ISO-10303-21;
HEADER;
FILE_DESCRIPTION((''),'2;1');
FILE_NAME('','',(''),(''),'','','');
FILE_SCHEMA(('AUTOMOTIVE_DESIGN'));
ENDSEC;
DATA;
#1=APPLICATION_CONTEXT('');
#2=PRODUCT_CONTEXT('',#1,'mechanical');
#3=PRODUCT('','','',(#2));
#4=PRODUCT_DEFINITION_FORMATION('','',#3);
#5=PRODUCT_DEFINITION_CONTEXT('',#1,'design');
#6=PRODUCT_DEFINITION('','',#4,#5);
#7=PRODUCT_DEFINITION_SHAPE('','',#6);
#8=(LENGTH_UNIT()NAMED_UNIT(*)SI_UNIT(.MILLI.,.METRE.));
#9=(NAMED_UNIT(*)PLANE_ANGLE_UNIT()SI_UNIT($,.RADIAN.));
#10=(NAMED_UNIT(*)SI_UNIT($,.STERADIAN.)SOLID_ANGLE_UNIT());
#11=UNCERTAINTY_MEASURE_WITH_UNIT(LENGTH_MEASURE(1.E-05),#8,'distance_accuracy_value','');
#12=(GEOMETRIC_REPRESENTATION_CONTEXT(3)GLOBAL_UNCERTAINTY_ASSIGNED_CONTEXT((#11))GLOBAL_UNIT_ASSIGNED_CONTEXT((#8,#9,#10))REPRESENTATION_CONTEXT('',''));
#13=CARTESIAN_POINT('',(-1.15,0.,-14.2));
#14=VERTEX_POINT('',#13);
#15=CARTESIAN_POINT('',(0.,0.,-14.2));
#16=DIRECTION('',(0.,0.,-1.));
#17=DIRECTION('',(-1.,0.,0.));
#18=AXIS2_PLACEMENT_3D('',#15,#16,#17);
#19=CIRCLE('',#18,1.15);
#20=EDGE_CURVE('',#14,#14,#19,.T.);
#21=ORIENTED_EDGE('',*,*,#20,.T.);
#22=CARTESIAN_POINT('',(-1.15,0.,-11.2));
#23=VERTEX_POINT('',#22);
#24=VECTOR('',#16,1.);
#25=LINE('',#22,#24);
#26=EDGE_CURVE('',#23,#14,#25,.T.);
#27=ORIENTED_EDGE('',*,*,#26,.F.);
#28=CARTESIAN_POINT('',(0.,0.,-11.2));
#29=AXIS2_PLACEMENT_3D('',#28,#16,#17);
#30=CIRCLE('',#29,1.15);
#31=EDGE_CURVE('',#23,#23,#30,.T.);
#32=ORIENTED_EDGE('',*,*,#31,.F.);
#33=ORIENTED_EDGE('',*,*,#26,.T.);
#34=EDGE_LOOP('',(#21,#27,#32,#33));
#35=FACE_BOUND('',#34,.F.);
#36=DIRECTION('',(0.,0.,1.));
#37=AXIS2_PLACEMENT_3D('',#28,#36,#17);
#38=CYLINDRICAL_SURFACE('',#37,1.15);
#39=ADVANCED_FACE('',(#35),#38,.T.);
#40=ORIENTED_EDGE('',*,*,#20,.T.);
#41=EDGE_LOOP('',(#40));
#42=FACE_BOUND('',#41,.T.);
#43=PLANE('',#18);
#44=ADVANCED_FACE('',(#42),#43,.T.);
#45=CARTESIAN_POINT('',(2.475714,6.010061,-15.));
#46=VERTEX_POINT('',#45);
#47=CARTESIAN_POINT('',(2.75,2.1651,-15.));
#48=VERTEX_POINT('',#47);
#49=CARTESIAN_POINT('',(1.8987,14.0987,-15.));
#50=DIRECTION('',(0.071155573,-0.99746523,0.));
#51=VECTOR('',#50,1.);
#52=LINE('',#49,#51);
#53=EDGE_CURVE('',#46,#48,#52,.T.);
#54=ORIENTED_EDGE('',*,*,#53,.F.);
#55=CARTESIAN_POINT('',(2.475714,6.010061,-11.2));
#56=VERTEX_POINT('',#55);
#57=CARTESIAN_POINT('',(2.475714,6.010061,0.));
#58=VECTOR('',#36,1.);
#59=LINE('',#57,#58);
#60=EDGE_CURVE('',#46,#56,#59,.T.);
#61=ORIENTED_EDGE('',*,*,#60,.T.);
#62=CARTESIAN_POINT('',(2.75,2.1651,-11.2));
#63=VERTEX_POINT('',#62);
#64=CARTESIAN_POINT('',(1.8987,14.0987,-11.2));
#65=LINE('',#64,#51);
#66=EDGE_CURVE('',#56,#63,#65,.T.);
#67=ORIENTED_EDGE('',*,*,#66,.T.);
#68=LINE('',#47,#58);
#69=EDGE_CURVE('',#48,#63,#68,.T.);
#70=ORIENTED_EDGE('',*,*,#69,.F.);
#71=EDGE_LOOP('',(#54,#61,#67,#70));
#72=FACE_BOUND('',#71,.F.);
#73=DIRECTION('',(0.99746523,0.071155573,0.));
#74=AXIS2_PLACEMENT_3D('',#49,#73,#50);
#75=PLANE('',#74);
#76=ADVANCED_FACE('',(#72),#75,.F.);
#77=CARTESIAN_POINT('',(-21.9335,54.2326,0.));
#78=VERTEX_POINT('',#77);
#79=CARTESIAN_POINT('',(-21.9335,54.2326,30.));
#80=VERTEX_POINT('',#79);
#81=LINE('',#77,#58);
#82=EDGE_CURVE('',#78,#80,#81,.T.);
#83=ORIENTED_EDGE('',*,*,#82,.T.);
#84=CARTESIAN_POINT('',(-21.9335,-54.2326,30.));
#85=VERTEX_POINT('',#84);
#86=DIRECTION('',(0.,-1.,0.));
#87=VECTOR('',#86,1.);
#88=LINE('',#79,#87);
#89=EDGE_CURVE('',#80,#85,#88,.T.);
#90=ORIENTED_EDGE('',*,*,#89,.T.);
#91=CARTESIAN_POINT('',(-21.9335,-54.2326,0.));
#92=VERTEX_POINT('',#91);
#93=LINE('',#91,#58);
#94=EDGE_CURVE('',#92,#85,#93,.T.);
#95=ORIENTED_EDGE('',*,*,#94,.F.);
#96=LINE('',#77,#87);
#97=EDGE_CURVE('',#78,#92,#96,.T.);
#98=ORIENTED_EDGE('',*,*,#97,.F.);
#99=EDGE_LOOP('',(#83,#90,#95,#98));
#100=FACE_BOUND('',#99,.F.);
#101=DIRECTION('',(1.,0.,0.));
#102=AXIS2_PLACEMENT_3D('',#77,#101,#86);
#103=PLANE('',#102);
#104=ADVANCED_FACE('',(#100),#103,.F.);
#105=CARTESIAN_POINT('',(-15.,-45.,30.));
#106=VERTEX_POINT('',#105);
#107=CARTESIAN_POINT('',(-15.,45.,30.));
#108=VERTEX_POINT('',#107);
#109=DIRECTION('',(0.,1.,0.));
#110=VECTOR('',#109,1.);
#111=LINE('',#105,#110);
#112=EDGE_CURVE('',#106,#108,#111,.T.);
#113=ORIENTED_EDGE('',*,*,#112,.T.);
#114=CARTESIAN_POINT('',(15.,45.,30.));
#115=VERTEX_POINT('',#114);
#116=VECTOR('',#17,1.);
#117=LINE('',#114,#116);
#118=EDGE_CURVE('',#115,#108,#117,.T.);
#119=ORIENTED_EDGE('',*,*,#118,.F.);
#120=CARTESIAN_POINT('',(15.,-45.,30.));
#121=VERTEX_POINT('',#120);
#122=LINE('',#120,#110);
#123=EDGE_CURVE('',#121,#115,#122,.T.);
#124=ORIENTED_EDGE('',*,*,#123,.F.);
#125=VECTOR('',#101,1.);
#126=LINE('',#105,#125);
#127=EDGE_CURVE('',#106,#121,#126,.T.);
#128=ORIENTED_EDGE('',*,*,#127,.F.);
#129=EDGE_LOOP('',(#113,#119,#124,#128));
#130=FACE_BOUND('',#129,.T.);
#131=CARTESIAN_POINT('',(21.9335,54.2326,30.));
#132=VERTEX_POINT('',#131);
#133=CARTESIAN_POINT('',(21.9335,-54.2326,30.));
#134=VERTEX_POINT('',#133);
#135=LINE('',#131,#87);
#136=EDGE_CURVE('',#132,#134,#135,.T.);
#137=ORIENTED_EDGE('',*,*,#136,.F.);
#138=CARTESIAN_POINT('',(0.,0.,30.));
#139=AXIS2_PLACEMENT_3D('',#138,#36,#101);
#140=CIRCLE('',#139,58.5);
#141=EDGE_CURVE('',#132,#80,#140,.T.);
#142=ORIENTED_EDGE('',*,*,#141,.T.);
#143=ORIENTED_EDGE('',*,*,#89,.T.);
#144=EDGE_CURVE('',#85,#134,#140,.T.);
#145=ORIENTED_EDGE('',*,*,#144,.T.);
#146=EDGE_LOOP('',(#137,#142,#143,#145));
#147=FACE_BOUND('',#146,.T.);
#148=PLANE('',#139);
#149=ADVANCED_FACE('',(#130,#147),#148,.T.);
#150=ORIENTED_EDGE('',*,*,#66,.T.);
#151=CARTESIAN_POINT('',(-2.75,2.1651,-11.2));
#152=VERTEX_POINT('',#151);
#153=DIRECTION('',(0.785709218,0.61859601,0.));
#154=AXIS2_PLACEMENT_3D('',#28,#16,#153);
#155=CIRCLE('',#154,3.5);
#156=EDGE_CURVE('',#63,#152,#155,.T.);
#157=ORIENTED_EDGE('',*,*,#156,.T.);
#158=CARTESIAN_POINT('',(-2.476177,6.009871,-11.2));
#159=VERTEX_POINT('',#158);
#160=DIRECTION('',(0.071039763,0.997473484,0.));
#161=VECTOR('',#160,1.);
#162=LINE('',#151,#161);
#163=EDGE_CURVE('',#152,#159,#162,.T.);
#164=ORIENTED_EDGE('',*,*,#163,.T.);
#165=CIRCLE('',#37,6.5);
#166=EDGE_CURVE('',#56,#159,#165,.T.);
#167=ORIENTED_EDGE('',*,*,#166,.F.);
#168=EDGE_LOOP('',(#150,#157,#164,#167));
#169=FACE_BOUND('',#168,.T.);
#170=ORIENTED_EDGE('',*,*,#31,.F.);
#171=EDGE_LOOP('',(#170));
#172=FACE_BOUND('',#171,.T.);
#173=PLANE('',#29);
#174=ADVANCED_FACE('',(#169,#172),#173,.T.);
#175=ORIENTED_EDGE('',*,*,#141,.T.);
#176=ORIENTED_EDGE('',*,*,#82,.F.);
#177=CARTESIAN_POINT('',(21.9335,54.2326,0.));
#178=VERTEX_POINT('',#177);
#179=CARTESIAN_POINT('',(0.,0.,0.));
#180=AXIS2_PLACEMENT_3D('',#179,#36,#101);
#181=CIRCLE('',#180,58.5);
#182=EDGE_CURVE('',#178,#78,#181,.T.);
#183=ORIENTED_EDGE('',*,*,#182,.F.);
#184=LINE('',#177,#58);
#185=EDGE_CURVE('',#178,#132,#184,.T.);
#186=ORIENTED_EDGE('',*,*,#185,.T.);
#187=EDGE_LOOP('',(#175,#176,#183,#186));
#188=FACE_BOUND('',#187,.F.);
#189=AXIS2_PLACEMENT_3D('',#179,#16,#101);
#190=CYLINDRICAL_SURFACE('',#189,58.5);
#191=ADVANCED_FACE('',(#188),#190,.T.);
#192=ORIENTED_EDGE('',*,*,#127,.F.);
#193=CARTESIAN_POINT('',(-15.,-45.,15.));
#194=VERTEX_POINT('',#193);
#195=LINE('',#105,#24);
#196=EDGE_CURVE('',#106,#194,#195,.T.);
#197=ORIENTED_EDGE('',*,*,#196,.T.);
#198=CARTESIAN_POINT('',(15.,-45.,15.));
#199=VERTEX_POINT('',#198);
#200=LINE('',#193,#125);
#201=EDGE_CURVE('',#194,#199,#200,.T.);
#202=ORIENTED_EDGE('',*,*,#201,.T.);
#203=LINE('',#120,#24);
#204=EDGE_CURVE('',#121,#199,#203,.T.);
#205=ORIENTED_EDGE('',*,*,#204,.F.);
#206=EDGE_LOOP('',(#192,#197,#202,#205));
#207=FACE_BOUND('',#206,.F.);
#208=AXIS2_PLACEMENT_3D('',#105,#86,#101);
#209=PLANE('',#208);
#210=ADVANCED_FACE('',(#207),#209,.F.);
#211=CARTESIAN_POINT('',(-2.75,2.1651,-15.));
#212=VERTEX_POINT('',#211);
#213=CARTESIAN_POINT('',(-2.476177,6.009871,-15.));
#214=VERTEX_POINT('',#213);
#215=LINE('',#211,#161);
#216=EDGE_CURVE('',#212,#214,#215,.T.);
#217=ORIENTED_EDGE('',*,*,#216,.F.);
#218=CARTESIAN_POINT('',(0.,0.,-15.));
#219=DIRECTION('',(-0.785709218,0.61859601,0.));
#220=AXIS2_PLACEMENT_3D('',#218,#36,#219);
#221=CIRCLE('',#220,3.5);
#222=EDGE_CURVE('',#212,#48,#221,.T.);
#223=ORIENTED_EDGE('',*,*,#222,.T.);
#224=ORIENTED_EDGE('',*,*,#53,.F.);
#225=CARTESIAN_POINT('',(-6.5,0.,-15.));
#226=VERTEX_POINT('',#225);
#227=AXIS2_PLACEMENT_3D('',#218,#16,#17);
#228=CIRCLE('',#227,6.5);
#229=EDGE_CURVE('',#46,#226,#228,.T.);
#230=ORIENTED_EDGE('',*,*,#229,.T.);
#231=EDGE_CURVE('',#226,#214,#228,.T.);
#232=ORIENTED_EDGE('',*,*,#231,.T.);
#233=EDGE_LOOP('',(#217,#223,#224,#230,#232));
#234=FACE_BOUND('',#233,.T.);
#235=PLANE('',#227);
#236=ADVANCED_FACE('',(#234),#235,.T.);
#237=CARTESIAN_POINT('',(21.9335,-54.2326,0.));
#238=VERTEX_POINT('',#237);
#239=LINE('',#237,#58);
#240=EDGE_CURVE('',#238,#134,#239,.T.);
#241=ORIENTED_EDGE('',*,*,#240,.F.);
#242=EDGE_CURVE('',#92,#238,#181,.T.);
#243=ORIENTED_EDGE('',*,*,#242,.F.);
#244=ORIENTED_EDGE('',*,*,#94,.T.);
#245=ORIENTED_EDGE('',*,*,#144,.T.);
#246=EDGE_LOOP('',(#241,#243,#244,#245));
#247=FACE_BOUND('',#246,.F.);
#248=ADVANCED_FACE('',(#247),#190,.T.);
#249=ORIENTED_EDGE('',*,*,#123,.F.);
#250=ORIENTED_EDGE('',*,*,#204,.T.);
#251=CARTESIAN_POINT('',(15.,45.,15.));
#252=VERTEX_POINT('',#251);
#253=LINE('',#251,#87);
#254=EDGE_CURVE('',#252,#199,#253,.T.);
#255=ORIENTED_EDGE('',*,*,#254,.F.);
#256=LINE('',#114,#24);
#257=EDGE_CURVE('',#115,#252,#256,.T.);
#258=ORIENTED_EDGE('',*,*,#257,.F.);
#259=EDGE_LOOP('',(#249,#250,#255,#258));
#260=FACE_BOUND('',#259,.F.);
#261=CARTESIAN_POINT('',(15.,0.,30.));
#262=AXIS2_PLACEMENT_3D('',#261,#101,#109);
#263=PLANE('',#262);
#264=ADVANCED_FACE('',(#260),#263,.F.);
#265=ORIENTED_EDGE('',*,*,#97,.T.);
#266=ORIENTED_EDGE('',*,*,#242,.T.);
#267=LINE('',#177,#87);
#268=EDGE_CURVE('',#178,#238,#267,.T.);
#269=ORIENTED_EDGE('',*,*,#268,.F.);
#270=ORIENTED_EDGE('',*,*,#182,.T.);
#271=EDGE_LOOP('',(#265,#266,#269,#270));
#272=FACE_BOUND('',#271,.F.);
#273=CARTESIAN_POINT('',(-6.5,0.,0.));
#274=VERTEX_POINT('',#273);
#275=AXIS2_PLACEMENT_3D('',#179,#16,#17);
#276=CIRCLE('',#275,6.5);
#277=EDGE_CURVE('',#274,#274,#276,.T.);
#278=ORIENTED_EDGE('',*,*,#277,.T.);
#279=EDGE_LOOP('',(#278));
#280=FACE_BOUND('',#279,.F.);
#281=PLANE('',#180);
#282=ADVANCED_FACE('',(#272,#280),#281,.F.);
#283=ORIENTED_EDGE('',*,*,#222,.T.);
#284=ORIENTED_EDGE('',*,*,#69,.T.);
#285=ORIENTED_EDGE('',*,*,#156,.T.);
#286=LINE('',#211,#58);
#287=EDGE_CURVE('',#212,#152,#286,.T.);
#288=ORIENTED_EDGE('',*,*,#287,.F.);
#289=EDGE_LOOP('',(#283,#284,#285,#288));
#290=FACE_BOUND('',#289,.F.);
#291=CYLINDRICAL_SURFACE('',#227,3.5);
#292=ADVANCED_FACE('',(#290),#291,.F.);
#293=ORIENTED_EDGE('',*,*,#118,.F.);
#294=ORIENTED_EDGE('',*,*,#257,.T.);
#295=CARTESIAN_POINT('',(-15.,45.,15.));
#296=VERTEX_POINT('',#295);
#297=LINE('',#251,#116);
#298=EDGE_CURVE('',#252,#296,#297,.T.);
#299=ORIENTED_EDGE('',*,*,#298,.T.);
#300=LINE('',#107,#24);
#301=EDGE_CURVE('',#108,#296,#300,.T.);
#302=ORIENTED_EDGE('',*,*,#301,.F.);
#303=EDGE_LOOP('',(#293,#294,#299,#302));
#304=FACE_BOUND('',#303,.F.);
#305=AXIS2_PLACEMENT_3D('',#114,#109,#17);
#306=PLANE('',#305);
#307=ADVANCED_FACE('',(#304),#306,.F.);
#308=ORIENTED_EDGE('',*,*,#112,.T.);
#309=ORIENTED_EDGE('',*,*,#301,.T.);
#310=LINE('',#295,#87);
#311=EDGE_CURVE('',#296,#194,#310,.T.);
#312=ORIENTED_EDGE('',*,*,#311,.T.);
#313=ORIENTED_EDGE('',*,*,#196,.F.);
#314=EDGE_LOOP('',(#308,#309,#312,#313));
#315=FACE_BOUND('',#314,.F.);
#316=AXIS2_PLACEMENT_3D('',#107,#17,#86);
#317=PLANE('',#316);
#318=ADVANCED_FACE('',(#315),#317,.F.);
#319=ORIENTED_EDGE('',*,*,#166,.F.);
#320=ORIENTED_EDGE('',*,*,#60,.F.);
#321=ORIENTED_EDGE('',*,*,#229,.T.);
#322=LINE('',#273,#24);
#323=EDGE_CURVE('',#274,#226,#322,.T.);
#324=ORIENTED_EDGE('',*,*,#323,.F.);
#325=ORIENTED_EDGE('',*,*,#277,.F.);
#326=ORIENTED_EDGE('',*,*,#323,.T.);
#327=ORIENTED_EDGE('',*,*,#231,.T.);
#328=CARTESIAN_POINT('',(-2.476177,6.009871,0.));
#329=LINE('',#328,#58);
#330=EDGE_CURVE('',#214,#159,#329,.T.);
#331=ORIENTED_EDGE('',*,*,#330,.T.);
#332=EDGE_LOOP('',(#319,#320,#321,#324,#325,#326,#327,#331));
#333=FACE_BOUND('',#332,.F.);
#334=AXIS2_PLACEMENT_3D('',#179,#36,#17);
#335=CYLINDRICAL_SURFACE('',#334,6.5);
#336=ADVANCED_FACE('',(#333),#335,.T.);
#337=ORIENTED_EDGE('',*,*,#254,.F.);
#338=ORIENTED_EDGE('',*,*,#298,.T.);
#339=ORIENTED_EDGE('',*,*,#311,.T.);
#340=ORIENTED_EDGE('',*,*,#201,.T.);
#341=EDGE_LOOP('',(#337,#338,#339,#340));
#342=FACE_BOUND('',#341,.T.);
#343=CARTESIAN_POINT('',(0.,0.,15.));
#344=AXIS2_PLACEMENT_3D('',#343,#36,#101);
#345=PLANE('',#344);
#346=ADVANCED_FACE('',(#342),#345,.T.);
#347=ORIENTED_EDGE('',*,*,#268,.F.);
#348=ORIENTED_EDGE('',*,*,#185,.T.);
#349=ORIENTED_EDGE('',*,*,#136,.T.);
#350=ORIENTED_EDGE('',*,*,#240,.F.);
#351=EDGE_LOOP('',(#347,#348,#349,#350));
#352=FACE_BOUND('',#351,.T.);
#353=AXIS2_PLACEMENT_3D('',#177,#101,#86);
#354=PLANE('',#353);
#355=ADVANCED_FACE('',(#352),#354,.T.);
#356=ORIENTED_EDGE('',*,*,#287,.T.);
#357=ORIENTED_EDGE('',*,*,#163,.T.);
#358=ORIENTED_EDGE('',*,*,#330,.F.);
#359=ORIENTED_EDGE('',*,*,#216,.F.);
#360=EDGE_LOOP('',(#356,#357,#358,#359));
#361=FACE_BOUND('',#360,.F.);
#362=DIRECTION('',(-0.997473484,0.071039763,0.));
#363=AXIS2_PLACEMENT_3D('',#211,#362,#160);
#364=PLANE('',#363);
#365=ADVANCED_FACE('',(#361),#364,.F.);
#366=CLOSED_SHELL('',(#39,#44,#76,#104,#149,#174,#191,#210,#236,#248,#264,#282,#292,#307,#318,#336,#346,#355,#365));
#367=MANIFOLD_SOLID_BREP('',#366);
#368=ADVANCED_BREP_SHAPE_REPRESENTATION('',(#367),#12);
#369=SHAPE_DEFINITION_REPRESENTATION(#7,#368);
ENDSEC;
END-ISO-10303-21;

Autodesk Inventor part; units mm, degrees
ref_plane "YZ Plane" through (0, 0, 0) normal (1, 0, 0) x (0, 1, 0)
ref_plane "XZ Plane" through (0, 0, 0) normal (0, 1, 0) x (-1, 0, 0)
ref_plane "XY Plane" through (0, 0, 0) normal (0, 0, 1) x (1, 0, 0)
sketch "Sketch1" plane through (0, 0, 0) normal (0, 0, 1) x (1, 0, 0)
  circle A0 centre (0, 0) radius 58.5
  line L0 (0, 0) -> (0, 58.5) construction
  line L1 (0, 0) -> (-58.5, 0) construction
  line L2 (-21.9335, 54.2326) -> (-21.9335, -54.2326)
  line L3 (21.9335, 54.2326) -> (21.9335, -54.2326)
  point P0 (-54.2326, 21.9335)
  point P1 (54.2326, 21.9335)
  dimension "d0" = 117
  dimension "d53" = 21.9335
extrude "Extrusion1" add sketch "Sketch1" along normal blind 30 contours L3 A0 L2
sketch "Sketch2" plane through (0, 0, 0) normal (0, 0, -1) x (-1, 0, 0)
  circle A0 centre (0, 0) radius 6.5
  dimension "d4" = 13
extrude "Extrusion2" add sketch "Sketch2" along normal blind 15
sketch "Sketch6" plane through (0, 0, -15) normal (0, 0, -1) x (-1, 0, 0)
  circle A0 centre (0, 0) radius 1.15
  circle A1 centre (0, 0) radius 1.15
  line L0 (18.75, 0) -> (16.35, 0) construction
  line L1 (16.35, 0) -> (0, 0) construction
  line L2 (0, 0) -> (0, 3.75) construction
  circle A2 centre (0, 0) radius 3.9
  circle A3 centre (16.35, 0) radius 2.55
  line L3 (16.35, 2.55) -> (0.3241, 3.8865)
  line L4 (16.35, -2.55) -> (0.3241, -3.8865)
  point P0 (0, 3.75)
  dimension "d21" = 2.4
  dimension "d24" = 2.3
  dimension "d27" = 7.8
  dimension "d28" = 5.1
  dimension "d29" = 16.0259
  dimension "d30" = 16.0259
extrude "Extrusion5" [suppressed]
sketch "Sketch7" plane through (0, 0, -12.2) normal (0, 0, -1) x (-1, 0, 0)
  circle A0 centre (0, 0) radius 1.15
  dimension "d33" = 2.3
extrude "Extrusion6" [suppressed]
sketch "Sketch8" plane through (0, 0, 30) normal (0, 0, 1) x (1, 0, 0)
  line L0 (0, 0) -> (21.9335, 0) construction
  line L1 (0, 0) -> (15, 0)
  line L2 (15, 0) -> (15, 45)
  line L3 (15, 45) -> (-15, 45)
  line L4 (-15, 45) -> (-15, 0)
  line L5 (-15, 0) -> (0, 0)
  line L6 (-15, 0) -> (-15, -45)
  line L7 (-15, -45) -> (15, -45)
  line L8 (15, -45) -> (15, 0)
  dimension "d43" = 15
  dimension "d44" = 45
  dimension "d45" = 30
  dimension "d46" = 45
  dimension "d47" = 30
extrude "Extrusion7" cut sketch "Sketch8" against normal blind 15
sketch "Sketch9" plane through (0, 0, -15) normal (0, 0, -1) x (-1, 0, 0)
  circle A0 centre (0, 0) radius 3.5
  arc A1 (1.9, 14.1) -> (-1.8987, 14.0987) centre (0.0007, 14.05) ccw
  line L0 (0.0007, 15.95) -> (0.0007, 14.05)
  line L1 (0.0007, 14.05) -> (0, 0)
  circle A2 centre (0.0007, 14.05) radius 1.9
  line L2 (-1.8987, 14.0987) -> (-2.75, 2.1651)
  line L3 (-2.75, 2.1651) -> (-1.8987, 14.0987)
  line L4 (2.75, 2.1651) -> (1.9, 14.1)
  line L5 (2.75, 2.1651) -> (1.9, 14.1)
extrude "Extrusion8" cut sketch "Sketch9" against normal blind 3.8
sketch "Sketch10" plane through (0, 0, -11.2) normal (0, 0, -1) x (-1, 0, 0)
  circle A0 centre (0, 0) radius 1.15
  dimension "d50" = 2.3
extrude "Extrusion9" add sketch "Sketch10" along normal blind 3
properties part number "Sorting Gate Edited"
